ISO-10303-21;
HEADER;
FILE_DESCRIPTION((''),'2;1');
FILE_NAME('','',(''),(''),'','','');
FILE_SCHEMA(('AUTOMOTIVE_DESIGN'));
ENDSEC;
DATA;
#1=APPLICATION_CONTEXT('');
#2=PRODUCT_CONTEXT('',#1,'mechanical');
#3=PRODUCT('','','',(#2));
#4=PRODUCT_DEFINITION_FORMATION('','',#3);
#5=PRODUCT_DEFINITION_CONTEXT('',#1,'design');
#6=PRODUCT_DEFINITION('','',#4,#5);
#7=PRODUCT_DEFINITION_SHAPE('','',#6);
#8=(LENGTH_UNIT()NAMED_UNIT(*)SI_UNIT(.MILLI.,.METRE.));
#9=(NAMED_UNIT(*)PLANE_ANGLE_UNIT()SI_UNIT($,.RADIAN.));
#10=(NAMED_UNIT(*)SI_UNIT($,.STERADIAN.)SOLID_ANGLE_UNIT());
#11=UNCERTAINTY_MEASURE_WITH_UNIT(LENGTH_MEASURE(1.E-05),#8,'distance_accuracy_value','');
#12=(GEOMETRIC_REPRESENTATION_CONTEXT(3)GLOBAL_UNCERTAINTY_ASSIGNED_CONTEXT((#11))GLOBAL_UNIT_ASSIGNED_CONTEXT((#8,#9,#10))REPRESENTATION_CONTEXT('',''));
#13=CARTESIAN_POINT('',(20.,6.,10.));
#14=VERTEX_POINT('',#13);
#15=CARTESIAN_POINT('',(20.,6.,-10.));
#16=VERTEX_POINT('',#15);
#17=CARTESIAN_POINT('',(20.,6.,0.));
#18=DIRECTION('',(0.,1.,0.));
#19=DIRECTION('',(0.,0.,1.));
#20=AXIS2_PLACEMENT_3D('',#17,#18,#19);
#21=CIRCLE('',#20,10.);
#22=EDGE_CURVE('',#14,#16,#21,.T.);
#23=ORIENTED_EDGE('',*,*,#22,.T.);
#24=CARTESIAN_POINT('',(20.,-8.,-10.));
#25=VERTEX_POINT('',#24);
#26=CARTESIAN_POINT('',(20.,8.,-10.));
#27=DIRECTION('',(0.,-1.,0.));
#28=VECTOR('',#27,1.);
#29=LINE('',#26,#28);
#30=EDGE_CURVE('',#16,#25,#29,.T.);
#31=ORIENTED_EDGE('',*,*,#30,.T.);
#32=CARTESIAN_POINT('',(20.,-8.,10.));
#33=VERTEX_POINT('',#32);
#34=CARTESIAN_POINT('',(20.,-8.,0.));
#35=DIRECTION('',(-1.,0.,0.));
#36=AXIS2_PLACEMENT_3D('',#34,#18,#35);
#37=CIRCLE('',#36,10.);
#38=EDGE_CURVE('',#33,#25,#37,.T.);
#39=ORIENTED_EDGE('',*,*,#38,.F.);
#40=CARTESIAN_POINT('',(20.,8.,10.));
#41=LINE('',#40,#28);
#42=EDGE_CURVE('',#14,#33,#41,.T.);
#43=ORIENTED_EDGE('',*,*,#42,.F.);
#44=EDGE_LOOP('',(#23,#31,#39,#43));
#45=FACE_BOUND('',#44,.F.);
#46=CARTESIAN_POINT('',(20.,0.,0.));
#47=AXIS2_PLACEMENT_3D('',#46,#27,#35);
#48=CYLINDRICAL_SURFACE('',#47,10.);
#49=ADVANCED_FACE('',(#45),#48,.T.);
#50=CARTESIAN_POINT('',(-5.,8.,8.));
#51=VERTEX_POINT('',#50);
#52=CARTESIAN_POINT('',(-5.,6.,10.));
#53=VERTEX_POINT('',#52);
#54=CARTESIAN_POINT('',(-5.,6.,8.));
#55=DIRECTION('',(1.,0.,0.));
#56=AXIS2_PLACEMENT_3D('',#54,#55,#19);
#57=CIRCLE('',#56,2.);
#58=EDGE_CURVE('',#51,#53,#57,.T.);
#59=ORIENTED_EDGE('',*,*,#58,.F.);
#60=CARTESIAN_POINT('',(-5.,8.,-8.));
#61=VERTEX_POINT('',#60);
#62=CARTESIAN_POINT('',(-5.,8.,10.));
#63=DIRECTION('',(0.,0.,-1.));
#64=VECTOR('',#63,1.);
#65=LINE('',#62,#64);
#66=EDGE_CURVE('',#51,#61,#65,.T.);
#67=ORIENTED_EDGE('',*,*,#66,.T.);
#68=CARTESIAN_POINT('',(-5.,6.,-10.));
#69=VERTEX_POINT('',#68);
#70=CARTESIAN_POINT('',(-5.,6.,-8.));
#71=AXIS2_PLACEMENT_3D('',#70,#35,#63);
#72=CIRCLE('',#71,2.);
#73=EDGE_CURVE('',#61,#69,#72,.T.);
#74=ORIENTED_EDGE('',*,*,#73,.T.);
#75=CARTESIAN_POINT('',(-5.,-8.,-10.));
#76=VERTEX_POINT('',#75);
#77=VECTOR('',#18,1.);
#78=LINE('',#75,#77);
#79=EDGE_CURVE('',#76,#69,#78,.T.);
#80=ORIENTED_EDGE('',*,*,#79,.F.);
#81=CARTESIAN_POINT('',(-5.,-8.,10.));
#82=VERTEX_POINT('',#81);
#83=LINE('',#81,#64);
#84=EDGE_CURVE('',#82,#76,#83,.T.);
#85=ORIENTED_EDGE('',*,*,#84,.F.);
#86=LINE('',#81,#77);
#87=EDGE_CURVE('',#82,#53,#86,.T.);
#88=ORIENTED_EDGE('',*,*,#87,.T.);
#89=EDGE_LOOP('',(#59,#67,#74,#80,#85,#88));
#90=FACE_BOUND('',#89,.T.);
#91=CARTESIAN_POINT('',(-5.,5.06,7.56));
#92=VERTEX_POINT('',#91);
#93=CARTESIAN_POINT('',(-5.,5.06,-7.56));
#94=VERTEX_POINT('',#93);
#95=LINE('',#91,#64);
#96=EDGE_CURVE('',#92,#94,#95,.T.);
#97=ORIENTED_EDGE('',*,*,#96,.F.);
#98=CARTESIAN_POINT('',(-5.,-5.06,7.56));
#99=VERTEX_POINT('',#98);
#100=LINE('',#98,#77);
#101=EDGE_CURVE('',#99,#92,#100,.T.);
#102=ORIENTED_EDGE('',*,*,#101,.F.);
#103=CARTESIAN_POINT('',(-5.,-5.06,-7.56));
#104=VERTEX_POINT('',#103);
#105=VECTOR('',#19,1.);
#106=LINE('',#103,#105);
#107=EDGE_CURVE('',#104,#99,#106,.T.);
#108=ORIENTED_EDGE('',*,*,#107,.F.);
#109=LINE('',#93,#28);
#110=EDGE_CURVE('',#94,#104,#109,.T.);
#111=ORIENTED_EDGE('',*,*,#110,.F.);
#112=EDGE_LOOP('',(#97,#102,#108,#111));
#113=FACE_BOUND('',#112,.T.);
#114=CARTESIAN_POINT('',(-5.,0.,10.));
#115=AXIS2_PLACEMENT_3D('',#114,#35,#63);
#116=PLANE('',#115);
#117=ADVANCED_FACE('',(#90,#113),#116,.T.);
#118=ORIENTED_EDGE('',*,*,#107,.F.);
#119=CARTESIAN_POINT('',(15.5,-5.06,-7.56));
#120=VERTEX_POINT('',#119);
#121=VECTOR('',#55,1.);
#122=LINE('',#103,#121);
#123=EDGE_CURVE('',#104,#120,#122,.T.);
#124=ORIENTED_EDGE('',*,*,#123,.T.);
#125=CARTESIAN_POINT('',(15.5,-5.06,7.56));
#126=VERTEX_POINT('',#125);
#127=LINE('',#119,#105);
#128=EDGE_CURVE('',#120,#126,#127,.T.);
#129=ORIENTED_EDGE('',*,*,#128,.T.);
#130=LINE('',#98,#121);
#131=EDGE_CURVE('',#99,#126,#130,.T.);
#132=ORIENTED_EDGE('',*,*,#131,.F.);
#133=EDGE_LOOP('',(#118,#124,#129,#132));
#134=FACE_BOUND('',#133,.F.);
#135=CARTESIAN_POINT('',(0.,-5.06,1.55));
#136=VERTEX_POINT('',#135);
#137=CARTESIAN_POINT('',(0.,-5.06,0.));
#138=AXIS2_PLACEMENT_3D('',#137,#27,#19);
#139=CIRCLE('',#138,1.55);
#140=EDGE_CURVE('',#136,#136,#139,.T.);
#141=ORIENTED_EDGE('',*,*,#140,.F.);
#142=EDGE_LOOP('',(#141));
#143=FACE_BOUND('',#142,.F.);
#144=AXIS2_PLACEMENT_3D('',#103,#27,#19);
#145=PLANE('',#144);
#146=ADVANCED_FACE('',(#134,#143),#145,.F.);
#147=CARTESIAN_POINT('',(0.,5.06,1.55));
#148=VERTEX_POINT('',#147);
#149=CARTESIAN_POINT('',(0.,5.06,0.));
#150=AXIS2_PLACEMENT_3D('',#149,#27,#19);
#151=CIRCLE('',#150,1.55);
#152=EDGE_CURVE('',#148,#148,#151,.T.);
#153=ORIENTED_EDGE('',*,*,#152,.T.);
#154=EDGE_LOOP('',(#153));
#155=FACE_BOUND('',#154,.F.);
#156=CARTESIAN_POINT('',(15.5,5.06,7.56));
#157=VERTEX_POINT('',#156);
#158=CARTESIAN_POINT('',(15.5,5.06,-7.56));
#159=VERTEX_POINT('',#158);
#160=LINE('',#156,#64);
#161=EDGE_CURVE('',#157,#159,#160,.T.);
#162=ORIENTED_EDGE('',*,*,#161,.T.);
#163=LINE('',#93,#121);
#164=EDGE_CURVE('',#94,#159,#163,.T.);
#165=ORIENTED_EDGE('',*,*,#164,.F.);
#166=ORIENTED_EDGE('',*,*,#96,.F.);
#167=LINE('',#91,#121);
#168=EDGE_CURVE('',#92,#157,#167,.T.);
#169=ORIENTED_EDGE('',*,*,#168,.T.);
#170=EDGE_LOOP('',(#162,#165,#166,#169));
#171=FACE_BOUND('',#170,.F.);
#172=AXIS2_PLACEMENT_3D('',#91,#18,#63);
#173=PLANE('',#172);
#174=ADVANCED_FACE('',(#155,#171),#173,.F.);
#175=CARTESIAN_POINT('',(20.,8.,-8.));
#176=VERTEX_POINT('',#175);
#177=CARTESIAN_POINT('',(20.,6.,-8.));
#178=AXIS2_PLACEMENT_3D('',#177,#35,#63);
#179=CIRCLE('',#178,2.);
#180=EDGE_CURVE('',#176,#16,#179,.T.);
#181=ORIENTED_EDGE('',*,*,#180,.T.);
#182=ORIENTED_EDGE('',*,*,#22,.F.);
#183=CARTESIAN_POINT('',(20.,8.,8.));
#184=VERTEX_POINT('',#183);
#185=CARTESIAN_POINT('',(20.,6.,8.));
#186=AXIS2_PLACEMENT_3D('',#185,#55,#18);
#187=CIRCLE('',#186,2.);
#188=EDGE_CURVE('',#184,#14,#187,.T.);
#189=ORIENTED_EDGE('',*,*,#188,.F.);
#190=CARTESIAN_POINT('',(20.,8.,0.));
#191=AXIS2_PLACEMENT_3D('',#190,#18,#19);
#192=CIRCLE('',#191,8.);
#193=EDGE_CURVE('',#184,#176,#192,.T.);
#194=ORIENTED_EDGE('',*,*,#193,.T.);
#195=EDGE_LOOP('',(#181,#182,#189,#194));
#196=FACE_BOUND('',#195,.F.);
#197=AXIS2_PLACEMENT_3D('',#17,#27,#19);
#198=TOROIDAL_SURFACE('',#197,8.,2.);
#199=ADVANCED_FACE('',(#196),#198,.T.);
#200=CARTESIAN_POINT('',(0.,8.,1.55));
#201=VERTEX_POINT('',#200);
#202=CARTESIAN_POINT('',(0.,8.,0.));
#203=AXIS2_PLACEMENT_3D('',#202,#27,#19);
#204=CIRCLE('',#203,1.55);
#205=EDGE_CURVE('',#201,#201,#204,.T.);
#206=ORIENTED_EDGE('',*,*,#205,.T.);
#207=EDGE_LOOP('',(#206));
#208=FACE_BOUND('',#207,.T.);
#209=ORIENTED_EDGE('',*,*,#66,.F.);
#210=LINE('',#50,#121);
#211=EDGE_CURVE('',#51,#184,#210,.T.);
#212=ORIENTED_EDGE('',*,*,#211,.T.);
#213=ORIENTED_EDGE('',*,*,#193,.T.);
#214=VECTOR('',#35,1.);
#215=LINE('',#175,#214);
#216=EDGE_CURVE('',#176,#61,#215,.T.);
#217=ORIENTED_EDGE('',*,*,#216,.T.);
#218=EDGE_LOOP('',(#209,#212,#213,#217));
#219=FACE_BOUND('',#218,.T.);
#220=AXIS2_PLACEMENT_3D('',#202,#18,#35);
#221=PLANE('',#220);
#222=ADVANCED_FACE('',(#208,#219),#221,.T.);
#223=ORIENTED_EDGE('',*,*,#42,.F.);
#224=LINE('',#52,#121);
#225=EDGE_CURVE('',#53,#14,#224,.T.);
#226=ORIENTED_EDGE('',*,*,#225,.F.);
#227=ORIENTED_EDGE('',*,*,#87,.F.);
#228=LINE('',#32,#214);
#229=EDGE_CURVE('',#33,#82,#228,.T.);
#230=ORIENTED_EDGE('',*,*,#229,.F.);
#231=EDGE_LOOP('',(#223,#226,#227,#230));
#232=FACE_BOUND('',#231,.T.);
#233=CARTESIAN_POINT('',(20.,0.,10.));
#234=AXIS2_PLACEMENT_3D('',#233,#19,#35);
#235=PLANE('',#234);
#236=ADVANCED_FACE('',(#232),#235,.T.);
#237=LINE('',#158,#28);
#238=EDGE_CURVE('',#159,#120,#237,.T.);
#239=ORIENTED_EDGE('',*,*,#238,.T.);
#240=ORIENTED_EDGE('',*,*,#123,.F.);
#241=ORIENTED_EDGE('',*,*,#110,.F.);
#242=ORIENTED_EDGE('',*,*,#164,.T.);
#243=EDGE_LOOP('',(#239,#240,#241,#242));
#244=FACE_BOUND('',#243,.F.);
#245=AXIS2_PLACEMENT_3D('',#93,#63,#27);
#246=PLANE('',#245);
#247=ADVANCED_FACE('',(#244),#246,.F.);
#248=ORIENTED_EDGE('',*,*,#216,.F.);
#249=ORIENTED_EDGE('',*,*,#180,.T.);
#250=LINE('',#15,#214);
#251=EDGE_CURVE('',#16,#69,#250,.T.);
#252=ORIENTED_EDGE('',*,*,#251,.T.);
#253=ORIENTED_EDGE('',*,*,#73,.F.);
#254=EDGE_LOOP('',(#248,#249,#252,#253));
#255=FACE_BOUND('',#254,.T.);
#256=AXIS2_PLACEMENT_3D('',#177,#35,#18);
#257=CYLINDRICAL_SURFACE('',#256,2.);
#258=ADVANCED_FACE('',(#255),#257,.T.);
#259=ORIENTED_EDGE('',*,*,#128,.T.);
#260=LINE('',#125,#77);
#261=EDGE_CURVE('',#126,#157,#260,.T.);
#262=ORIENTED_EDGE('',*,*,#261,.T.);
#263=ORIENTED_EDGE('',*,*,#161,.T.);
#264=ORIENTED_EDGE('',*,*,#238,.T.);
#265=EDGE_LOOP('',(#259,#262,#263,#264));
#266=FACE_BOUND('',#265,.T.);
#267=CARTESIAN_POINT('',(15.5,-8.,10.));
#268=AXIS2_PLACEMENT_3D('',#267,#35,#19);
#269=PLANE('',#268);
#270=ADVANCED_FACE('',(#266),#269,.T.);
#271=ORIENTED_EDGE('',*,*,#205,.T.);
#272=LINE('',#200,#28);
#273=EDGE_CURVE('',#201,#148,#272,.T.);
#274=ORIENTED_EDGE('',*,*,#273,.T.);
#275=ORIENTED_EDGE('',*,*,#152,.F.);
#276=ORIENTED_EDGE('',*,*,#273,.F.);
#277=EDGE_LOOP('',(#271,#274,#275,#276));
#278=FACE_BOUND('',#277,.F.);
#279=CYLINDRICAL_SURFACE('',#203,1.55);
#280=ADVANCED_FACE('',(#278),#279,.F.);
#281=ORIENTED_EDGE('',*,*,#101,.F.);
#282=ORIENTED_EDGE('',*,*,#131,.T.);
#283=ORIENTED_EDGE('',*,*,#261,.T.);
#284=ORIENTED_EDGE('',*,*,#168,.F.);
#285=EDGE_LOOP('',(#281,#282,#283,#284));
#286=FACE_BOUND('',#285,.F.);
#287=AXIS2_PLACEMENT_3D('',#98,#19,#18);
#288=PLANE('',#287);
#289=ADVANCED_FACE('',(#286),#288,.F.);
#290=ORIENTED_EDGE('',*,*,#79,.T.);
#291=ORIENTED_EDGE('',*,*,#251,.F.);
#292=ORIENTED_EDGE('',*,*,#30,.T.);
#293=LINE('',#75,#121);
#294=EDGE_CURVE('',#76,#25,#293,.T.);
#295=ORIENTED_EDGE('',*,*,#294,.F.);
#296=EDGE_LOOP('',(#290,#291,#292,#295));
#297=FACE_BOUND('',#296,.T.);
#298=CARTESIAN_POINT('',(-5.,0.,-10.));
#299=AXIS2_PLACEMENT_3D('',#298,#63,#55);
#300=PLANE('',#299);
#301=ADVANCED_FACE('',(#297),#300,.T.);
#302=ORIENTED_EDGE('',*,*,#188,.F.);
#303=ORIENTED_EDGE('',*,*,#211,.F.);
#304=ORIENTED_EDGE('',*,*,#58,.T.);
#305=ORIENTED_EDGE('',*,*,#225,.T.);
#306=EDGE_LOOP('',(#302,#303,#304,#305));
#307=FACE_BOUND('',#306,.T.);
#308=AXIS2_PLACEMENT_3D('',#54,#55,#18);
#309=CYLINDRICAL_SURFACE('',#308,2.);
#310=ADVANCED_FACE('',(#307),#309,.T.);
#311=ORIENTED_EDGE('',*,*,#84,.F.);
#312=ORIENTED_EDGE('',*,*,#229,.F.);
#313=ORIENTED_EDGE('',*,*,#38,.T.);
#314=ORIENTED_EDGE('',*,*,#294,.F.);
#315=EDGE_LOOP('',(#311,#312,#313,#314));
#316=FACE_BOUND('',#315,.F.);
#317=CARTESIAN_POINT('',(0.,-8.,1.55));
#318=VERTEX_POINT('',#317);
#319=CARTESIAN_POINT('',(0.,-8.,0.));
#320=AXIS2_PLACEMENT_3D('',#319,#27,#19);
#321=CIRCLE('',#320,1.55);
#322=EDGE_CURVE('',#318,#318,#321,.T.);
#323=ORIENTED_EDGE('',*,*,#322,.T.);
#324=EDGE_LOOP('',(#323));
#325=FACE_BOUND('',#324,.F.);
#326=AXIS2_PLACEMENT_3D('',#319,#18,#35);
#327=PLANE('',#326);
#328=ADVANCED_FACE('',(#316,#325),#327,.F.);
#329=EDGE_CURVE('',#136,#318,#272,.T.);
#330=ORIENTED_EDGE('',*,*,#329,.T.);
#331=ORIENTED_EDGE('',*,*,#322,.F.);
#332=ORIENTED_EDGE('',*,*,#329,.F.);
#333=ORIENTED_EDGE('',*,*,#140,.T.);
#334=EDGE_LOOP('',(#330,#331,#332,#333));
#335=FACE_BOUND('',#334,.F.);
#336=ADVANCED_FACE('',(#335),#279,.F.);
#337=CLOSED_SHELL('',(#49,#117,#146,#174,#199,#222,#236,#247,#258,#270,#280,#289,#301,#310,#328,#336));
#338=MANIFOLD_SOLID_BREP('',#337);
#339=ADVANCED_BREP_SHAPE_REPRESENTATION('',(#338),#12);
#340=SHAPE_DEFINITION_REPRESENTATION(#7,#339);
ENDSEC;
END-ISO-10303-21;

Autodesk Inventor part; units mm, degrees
ref_plane "YZ Plane" through (0, 0, 0) normal (1, 0, 0) x (0, 1, 0)
ref_plane "XZ Plane" through (0, 0, 0) normal (0, 1, 0) x (-1, 0, 0)
ref_plane "XY Plane" through (0, 0, 0) normal (0, 0, 1) x (1, 0, 0)
sketch "Sketch1" plane through (0, 0, 0) normal (0, 1, 0) x (-1, 0, 0)
  line L0 (5, -10) -> (-20, -10)
  line L1 (-20, -10) -> (-20, 10)
  line L2 (-20, 10) -> (5, 10)
  line L3 (5, 10) -> (5, -10)
  line L4 (5, -10) -> (-20, 10) construction
  line L5 (-20, -10) -> (5, 10) construction
  circle A0 centre (-20, 0) radius 10
  point P0 (0, 0)
  point P1 (-7.5, 0)
  point P2 (-20, 10)
  dimension "d0" = 20
  dimension "d1" = 20
  dimension "d2" = 5
extrude "Extrusion1" add sketch "Sketch1" along normal mid plane 16
sketch "Sketch2" plane through (0, 8, 0) normal (0, 1, 0) x (1, 0, 0)
  point P0 (0, 0)
  point P1 (0, 0)
hole "Hole1" at (0, 8, 0) direction (0, -1, 0) diameter 3.1 end through all
sketch "Sketch3" plane through (-5, -8, 10) normal (-1, 0, 0) x (0, 0, 1)
  line L0 (-17.56, 2.94) -> (-2.44, 2.94)
  line L1 (-2.44, 2.94) -> (-2.44, 13.06)
  line L2 (-2.44, 13.06) -> (-17.56, 13.06)
  line L3 (-17.56, 13.06) -> (-17.56, 2.94)
  line L4 (-17.56, 2.94) -> (-2.44, 13.06) construction
  line L5 (-2.44, 2.94) -> (-17.56, 13.06) construction
  point P0 (-10, 8)
  dimension "d12" = 15.12
  dimension "d13" = 10.12
extrude "Extrusion2" cut sketch "Sketch3" against normal blind 20.5
fillet "Fillet1" radius 2 3 edges at (30, 8, 0) (7.5, 8, -10) (7.5, 8, 10)
properties part number "T-Frame Right Cover" material "ABS Plastic"
